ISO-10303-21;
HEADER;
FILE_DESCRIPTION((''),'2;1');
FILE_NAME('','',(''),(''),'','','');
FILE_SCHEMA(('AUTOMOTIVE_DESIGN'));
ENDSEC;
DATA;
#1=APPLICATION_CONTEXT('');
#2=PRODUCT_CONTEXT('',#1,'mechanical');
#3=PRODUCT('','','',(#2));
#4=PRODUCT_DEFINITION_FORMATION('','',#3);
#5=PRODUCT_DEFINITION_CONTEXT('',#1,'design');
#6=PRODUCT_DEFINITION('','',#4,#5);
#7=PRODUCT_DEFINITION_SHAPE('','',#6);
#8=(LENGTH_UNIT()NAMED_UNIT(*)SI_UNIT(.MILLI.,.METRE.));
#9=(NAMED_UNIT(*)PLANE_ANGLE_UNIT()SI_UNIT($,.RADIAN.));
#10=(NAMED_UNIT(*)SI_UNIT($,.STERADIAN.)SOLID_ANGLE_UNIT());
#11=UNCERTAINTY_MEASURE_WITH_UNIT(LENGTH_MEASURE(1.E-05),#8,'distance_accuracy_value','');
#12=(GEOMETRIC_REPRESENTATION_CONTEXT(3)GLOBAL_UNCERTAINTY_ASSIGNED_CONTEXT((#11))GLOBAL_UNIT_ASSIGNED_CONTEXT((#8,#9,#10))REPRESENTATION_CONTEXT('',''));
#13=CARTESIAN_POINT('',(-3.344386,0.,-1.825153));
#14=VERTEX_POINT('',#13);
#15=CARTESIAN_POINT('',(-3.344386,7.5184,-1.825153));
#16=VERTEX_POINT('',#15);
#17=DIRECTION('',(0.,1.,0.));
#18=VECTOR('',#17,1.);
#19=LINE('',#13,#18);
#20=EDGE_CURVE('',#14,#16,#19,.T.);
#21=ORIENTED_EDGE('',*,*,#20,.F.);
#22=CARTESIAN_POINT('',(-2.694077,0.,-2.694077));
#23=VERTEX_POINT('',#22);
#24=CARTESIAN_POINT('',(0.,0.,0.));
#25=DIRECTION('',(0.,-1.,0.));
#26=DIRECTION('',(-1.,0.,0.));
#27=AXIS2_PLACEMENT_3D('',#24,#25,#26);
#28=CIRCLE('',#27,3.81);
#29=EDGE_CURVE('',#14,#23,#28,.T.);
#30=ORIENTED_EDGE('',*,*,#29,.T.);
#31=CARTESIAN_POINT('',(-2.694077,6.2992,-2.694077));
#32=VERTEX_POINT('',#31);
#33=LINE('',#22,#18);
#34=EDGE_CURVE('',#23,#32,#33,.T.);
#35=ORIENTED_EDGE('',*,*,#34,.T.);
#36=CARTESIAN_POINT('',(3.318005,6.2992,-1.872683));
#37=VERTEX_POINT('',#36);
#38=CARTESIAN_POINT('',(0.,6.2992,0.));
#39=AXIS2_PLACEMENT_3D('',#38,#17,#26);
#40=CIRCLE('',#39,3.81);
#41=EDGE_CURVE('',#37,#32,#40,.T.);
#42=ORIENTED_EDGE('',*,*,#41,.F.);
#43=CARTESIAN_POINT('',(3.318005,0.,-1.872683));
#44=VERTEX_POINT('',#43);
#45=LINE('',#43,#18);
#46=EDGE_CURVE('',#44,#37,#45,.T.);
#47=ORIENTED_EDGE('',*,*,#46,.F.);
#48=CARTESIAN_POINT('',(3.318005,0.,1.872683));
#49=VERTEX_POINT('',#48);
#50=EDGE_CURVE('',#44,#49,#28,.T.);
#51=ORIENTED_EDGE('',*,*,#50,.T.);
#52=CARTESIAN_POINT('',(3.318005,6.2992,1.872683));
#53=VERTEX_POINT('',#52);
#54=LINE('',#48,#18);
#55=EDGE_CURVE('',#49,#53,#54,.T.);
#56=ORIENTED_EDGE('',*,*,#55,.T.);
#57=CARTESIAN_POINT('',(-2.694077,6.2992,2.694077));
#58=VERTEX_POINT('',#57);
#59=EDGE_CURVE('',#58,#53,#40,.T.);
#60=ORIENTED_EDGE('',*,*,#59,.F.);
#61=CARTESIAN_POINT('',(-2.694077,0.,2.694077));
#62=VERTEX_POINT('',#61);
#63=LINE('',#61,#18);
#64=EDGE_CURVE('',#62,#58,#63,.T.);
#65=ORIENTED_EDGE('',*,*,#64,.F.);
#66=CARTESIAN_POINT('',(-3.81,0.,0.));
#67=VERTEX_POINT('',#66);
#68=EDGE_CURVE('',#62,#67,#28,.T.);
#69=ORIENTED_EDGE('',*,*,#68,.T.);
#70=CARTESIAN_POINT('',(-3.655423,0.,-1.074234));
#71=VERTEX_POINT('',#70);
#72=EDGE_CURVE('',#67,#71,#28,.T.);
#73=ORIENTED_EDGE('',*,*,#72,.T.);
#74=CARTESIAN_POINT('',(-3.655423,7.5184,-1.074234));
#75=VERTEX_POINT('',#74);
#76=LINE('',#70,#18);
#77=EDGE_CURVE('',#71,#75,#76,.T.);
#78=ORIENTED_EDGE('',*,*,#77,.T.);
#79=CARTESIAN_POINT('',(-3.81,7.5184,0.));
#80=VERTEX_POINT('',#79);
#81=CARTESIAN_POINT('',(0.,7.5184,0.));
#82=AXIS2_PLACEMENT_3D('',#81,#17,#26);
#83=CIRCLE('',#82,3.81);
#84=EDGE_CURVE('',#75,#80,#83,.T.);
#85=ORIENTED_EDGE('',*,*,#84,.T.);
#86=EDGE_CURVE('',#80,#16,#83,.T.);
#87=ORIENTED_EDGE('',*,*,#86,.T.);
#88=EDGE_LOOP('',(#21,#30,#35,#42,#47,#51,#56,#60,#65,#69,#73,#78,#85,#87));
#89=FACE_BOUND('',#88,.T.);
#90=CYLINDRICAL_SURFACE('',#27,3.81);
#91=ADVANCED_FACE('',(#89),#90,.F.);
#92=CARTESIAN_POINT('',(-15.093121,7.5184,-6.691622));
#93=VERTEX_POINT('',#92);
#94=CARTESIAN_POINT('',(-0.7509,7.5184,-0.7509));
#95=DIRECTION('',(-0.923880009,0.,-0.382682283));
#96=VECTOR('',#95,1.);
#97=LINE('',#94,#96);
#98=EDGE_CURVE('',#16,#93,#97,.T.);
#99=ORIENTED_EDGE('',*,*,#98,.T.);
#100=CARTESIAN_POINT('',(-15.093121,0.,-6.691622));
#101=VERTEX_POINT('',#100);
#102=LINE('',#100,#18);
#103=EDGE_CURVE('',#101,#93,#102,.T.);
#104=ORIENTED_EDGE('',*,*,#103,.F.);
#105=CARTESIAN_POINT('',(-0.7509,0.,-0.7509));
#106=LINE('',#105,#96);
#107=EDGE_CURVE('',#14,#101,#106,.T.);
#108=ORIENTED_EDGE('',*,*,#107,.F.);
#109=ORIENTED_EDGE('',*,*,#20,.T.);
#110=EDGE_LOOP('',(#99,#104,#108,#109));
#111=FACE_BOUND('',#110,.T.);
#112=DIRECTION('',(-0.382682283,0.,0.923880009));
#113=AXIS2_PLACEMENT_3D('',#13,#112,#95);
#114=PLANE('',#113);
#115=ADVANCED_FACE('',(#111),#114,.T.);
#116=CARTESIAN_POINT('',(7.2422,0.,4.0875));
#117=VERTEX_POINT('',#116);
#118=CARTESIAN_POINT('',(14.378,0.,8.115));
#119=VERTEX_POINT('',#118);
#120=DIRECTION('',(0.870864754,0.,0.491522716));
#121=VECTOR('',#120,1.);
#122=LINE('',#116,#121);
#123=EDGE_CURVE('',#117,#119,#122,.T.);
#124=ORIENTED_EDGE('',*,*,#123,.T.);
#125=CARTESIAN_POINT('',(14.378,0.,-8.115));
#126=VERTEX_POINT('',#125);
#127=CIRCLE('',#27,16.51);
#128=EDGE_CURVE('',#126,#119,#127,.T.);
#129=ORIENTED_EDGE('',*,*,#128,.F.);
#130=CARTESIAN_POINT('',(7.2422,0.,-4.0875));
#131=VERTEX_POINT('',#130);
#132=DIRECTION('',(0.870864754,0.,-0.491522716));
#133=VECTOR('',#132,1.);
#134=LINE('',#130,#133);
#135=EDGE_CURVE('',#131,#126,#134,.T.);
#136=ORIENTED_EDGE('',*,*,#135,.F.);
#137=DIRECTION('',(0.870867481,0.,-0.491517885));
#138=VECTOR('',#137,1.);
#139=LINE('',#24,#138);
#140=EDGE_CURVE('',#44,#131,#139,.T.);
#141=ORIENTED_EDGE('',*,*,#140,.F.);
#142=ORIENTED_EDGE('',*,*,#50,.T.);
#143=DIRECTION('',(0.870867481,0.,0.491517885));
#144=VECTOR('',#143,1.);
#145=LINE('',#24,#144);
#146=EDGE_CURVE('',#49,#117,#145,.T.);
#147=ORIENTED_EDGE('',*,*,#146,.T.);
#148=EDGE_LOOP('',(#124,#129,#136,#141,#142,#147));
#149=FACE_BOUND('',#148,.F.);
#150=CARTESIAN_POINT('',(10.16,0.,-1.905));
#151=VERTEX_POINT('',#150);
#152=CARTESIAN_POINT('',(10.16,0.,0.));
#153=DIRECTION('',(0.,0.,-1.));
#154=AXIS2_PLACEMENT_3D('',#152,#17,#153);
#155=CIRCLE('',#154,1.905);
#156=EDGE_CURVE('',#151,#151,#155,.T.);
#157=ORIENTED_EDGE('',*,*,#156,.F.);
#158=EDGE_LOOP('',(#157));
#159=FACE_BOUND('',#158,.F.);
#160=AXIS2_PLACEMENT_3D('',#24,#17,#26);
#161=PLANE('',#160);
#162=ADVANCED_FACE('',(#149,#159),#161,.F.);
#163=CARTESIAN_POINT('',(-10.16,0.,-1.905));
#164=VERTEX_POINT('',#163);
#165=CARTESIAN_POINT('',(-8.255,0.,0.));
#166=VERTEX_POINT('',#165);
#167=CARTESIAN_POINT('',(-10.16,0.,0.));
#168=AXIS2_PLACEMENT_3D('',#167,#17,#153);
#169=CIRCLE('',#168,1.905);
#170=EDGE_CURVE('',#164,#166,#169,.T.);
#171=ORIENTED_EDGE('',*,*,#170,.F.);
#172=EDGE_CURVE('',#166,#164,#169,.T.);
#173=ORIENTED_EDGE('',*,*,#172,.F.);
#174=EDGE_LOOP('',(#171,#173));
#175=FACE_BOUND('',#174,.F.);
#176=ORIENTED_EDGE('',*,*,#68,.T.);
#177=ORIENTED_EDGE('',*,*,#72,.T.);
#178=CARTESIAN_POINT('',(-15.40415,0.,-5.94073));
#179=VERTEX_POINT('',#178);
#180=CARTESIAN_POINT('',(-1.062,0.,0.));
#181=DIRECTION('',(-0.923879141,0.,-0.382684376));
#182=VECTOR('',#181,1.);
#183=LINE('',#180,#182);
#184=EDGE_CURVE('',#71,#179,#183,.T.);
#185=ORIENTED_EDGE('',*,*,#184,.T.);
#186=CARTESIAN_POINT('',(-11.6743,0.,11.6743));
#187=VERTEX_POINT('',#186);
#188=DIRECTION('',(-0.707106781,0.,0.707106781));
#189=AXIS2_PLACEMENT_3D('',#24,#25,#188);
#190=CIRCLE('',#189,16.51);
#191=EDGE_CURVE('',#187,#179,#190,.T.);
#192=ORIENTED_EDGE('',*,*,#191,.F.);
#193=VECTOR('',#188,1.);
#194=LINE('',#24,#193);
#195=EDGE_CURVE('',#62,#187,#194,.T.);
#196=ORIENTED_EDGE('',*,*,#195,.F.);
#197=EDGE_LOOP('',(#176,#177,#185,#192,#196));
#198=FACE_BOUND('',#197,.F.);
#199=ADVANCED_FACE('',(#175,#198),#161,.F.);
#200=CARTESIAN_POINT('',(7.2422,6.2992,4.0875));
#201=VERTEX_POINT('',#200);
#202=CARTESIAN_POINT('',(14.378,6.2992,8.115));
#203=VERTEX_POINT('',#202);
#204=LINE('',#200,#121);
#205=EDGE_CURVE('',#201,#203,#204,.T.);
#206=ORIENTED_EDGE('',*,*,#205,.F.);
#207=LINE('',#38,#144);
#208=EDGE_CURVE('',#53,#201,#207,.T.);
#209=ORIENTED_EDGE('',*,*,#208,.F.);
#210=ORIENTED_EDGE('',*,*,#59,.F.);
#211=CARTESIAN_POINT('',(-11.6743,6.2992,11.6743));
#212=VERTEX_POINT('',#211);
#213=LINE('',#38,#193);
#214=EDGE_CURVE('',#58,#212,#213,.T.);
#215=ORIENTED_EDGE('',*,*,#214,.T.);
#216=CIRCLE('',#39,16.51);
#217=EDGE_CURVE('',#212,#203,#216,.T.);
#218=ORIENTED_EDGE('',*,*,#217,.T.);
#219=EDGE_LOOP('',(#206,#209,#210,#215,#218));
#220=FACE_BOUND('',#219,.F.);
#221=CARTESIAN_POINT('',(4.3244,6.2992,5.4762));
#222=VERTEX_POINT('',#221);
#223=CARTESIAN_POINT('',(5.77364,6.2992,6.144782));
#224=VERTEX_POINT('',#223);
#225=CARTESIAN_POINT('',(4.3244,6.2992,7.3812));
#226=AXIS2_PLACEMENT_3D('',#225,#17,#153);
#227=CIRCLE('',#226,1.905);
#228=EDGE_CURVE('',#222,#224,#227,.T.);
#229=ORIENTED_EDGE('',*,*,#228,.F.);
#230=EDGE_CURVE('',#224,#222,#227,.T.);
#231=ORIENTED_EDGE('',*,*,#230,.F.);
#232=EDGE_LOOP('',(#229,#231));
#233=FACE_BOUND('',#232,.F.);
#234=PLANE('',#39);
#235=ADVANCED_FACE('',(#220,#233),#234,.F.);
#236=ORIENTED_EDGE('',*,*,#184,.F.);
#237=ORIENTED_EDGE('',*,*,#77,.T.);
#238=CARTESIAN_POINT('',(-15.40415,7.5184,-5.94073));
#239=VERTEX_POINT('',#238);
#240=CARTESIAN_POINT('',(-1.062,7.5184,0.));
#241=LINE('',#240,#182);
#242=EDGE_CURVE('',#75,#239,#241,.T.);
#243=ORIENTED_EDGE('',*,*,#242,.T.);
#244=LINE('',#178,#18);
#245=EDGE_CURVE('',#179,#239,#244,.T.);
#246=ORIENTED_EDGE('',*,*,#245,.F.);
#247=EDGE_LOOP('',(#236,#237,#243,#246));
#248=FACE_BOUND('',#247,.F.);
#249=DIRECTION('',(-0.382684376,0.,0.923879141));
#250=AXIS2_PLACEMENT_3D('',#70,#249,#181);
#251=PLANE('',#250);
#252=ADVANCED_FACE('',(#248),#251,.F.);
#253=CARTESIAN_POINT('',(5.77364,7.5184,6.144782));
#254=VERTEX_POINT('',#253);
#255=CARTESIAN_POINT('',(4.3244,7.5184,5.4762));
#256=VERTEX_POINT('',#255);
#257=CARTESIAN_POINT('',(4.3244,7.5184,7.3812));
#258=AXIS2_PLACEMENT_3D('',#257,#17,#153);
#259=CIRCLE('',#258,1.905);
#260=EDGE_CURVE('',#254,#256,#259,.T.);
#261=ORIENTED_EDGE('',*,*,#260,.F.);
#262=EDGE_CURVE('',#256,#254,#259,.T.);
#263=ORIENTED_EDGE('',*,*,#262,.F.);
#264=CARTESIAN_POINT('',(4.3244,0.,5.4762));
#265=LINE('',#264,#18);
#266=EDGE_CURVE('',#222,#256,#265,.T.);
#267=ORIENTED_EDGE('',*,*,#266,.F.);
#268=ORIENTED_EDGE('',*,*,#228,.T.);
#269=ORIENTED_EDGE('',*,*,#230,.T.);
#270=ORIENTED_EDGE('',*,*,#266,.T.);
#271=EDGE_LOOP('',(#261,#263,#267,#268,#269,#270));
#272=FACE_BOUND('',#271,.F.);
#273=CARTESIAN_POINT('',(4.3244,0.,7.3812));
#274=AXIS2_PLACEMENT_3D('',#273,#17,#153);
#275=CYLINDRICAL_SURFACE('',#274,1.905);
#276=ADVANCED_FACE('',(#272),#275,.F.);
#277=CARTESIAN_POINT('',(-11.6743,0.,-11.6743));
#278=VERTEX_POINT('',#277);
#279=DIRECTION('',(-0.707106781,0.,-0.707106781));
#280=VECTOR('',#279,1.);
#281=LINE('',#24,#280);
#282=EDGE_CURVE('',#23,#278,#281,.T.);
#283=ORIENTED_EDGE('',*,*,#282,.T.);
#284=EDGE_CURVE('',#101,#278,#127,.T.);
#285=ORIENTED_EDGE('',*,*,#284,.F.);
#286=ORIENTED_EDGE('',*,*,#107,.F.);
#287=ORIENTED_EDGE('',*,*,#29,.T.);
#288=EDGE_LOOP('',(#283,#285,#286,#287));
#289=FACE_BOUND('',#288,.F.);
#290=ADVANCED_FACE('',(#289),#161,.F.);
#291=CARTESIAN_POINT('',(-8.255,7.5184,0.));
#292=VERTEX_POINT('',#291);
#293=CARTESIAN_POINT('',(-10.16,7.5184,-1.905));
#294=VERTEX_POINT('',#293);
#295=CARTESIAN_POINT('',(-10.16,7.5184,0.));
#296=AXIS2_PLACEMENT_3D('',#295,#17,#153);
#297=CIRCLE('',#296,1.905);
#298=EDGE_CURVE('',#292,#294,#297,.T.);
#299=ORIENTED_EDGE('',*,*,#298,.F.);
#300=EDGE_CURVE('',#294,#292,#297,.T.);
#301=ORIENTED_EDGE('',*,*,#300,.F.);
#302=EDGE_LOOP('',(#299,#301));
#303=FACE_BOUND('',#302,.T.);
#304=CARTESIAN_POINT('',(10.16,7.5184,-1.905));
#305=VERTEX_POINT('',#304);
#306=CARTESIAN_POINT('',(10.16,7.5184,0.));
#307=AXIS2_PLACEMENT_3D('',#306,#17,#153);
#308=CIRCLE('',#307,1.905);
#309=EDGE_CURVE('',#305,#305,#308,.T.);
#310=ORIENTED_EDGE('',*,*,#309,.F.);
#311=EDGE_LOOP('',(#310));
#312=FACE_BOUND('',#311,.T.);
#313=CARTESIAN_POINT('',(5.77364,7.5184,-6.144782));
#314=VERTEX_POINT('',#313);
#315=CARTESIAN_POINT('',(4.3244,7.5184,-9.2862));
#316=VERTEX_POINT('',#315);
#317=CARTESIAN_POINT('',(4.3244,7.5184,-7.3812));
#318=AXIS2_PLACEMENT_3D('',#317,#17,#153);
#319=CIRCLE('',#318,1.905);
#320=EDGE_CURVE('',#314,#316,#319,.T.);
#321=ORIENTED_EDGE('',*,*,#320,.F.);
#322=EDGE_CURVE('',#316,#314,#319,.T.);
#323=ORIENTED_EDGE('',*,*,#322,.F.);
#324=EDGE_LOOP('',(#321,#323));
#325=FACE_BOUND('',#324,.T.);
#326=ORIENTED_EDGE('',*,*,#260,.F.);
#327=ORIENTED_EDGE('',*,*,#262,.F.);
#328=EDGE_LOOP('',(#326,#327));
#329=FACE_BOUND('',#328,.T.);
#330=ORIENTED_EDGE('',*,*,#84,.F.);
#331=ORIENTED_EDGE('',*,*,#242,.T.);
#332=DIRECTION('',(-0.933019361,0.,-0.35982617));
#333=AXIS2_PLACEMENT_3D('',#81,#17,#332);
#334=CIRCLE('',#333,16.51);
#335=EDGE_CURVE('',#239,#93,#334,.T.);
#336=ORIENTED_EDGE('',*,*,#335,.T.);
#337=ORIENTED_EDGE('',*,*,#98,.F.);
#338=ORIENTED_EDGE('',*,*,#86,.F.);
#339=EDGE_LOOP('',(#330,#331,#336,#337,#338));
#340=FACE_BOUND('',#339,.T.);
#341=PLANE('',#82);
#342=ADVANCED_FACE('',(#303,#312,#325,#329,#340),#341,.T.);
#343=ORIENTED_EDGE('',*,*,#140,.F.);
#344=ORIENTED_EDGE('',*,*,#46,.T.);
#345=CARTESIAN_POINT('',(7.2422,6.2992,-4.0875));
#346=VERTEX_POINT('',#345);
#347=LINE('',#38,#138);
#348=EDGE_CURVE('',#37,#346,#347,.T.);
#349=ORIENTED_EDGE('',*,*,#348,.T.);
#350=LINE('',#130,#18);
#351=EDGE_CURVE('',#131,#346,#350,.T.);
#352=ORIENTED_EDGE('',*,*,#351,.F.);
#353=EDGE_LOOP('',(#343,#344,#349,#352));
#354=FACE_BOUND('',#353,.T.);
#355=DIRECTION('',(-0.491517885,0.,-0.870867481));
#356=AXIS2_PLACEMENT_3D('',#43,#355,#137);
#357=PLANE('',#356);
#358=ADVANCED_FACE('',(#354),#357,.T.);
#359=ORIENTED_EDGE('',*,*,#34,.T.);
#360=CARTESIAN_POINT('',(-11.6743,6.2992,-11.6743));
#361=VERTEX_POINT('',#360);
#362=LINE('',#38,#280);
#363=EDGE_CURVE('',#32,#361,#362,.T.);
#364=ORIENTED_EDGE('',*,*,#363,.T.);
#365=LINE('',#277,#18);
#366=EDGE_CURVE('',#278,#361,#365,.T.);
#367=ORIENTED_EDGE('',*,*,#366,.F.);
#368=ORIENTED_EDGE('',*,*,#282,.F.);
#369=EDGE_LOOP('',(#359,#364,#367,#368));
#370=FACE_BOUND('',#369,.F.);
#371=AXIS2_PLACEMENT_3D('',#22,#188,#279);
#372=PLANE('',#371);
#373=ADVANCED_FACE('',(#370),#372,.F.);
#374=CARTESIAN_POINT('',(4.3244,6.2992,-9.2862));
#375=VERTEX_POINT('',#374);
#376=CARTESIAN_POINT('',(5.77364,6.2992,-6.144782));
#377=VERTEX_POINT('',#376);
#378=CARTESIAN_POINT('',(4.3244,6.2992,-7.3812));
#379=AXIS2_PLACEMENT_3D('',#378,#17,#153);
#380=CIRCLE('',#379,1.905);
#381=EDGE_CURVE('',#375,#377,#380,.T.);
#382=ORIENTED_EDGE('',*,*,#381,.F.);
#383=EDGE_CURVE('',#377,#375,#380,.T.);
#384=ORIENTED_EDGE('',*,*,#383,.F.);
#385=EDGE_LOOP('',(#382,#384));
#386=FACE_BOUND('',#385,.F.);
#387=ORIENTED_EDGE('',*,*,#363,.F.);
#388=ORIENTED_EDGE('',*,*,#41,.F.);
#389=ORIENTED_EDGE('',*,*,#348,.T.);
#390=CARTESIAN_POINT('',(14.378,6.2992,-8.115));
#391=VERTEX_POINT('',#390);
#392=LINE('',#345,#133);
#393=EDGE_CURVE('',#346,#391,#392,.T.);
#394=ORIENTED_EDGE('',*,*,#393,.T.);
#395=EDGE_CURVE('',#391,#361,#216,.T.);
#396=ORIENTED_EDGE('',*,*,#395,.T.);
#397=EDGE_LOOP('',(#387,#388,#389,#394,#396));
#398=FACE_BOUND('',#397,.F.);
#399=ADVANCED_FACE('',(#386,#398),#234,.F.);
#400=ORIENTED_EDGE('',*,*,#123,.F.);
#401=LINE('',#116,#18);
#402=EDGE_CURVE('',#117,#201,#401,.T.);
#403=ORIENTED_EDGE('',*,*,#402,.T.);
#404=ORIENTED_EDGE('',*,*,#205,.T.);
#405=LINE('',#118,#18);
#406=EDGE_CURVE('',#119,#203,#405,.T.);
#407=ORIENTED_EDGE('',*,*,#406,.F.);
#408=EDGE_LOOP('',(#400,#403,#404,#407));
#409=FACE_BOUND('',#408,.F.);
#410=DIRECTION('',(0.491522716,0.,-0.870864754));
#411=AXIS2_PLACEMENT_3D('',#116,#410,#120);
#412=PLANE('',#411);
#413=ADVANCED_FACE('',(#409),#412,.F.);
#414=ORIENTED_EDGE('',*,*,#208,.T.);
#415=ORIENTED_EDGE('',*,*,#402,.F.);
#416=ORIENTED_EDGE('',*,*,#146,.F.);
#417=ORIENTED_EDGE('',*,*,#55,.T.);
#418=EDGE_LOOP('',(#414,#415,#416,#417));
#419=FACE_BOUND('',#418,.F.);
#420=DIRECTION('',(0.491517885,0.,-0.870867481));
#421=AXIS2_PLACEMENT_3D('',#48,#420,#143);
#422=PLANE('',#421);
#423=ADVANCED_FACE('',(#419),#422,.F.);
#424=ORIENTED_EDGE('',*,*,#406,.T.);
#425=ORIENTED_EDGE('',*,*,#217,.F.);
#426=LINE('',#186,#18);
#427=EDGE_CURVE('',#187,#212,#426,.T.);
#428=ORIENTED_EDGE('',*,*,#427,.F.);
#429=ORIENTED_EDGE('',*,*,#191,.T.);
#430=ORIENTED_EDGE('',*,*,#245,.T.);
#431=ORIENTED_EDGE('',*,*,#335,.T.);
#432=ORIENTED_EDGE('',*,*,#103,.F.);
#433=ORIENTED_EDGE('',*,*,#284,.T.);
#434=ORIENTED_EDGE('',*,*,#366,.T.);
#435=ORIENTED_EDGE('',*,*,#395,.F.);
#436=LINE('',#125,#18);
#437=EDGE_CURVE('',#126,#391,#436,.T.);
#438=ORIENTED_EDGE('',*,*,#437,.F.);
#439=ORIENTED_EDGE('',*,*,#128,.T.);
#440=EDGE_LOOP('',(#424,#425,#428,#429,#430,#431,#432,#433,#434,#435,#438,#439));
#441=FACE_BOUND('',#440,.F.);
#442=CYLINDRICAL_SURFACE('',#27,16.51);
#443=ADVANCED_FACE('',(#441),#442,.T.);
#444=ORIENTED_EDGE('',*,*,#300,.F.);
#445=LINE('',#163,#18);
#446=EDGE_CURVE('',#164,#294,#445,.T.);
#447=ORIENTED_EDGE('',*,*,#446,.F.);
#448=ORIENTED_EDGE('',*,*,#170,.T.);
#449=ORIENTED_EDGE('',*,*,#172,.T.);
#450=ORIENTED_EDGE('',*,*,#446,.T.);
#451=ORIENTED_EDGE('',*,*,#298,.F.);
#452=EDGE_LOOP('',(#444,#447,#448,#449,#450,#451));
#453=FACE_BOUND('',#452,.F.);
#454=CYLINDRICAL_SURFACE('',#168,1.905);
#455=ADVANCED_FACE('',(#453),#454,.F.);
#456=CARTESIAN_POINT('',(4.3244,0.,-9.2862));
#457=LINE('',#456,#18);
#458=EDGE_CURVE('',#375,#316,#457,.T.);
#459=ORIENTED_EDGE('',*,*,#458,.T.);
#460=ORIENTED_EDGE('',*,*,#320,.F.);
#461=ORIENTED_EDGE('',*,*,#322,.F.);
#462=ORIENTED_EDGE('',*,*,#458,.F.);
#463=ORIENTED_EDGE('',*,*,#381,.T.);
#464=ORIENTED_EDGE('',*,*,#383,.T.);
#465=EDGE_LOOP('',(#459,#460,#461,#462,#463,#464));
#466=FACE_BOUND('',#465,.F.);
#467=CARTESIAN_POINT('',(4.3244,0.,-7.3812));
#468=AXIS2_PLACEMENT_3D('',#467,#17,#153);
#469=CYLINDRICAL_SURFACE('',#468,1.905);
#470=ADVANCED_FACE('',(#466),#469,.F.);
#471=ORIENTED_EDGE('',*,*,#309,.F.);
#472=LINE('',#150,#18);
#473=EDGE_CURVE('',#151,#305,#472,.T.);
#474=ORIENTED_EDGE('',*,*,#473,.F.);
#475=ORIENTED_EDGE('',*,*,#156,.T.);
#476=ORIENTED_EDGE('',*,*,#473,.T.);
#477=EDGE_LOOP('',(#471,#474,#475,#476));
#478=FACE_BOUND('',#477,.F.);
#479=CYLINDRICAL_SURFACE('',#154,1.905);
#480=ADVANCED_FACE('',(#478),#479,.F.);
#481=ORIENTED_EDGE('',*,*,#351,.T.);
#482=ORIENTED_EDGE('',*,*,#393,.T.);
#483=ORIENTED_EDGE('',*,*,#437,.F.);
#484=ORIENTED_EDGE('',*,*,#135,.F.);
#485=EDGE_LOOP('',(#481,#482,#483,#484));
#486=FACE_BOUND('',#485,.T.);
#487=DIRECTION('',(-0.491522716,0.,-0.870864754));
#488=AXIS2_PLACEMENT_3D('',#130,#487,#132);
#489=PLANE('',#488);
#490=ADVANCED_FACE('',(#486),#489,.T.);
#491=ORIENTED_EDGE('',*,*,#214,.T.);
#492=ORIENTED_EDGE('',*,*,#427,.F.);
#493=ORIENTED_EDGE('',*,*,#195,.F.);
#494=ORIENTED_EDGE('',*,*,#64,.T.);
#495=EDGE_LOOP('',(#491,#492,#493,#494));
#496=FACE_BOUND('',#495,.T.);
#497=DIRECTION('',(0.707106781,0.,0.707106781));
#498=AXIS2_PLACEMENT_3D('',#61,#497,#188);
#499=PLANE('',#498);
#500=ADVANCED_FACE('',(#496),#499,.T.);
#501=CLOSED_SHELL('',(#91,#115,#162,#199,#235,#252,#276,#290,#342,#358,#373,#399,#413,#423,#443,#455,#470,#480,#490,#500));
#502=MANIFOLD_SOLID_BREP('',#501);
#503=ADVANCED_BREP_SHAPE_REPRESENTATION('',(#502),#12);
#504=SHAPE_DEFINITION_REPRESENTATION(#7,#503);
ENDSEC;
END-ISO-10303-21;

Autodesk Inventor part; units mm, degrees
ref_plane "YZ Plane" through (0, 0, 0) normal (1, 0, 0) x (0, 1, 0)
ref_plane "XZ Plane" through (0, 0, 0) normal (0, 1, 0) x (-1, 0, 0)
ref_plane "XY Plane" through (0, 0, 0) normal (0, 0, 1) x (1, 0, 0)
sketch "Sketch1" plane through (0, 0, 0) normal (0, 1, 0) x (-1, 0, 0)
  circle A0 centre (0, 0) radius 3.81
  circle A1 centre (0, 0) radius 16.51
  line L0 (-7.4994, -5) -> (-1.1494, -5)
  line L1 (-1.1494, -5) -> (-1.1494, -11.35)
  line L2 (-1.1494, -11.35) -> (-7.4994, -11.35)
  line L3 (-7.4994, -11.35) -> (-7.4994, -5)
  line L4 (-7.4994, 5) -> (-1.1494, 5)
  line L5 (-1.1494, 5) -> (-1.1494, 11.35)
  line L6 (-1.1494, 11.35) -> (-7.4994, 11.35)
  line L7 (-7.4994, 11.35) -> (-7.4994, 5)
  circle A2 centre (-4.3244, -7.3812) radius 1.7526
  circle A3 centre (-4.3244, 7.3812) radius 1.7526
  line L8 (0, 0) -> (-10.16, 0)
  line L9 (0, 0) -> (10.16, 0)
  circle A4 centre (-10.16, 0) radius 1.7526
  circle A5 centre (10.16, 0) radius 1.7526
  line L10 (-4.3244, -8.175) -> (-10.16, 0)
  line L11 (-10.16, 0) -> (-4.3244, 8.175)
  line L12 (0, 0) -> (-7.2422, 4.0875)
  line L13 (0, 0) -> (-7.2422, -4.0875)
  line L14 (-7.2422, -4.0875) -> (-14.378, -8.115)
  line L15 (-7.2422, 4.0875) -> (-14.378, 8.115)
  line L16 (0, 0) -> (11.6743, -11.6743)
  line L17 (0, 0) -> (16.51, 0) construction
  line L18 (0, 0) -> (11.6743, 11.6743)
  line L19 (0, 0) -> (16.51, 0) construction
  line L20 (0, 0) -> (16.51, -6.8387)
  line L21 (0, 0) -> (17.8703, 0) construction
  line L22 (1.062, 0) -> (16.6655, -6.4632)
  line L23 (0.7509, -0.7509) -> (16.3545, -7.2141)
  point P0 (-3.318, 1.8727)
  point P1 (2.6941, 2.6941)
  point P2 (2.6941, -2.6941)
  point P3 (-3.318, -1.8727)
  point P4 (3.3444, -1.8252)
  point P5 (15.0931, -6.6917)
  point P6 (15.4042, -5.9407)
  point P7 (3.6554, -1.0742)
  dimension "d0" = 7.62
  dimension "d1" = 33.02
  dimension "d2" = 6.35
  dimension "d3" = 6.35
  dimension "d4" = 6.35
  dimension "d5" = 6.35
  dimension "d6" = 3.5052
  dimension "d7" = 3.5052
  dimension "d8" = 10.16
  dimension "d9" = 10.16
  dimension "d10" = 3.5052
  dimension "d11" = 3.5052
  dimension "d12" = 45
  dimension "d13" = 45
  dimension "d25" = 22.5
  dimension "d26" = 0.4064
  dimension "d27" = 0.4064
extrude "Extrusion1" add sketch "Sketch1" along normal blind 7.5184 contours A0 L18 A1 L22 | A5 | A3 | L4 L7 L6 L5 | A0 L12 L15 A1 L18 | L22 A1 L20 A0 | A0 L8 A4 L11 L12 | L20 A1 L23 A0 | A0 L13 L10 A4 L8 | L11 A4 L10 L14 A1 L15 | A2 | L0 L1 L2 L3 | A0 L16 A1 L14 L13 | L23 A1 L16 A0 | A4 L10 L8 | L8 L11 A4 | L11 L10 A4
extrude "Extrusion2" cut sketch "Sketch1" along normal blind 6.2992 contours A3 | L4 L7 L6 L5 | A0 L12 L15 A1 L18 | A2 | L0 L1 L2 L3 | A0 L16 A1 L14 L13
hole "Hole1" at (-10.16, 0, 0) at (10.16, 0, 0) at (4.3244, 0, -7.3812) at (4.3244, 0, 7.3812) direction (0, 1, 0) diameter 3.81 end through all clearance for "Flat Head Machine Screw (82)" size "#6" standard "Ansi Unified Screw Threads"
extrude "Extrusion3" cut sketch "Sketch1" along normal blind 7.5184 contours L22 A1 L20 A0 | L20 A1 L23 A0
properties part number "tab4"
